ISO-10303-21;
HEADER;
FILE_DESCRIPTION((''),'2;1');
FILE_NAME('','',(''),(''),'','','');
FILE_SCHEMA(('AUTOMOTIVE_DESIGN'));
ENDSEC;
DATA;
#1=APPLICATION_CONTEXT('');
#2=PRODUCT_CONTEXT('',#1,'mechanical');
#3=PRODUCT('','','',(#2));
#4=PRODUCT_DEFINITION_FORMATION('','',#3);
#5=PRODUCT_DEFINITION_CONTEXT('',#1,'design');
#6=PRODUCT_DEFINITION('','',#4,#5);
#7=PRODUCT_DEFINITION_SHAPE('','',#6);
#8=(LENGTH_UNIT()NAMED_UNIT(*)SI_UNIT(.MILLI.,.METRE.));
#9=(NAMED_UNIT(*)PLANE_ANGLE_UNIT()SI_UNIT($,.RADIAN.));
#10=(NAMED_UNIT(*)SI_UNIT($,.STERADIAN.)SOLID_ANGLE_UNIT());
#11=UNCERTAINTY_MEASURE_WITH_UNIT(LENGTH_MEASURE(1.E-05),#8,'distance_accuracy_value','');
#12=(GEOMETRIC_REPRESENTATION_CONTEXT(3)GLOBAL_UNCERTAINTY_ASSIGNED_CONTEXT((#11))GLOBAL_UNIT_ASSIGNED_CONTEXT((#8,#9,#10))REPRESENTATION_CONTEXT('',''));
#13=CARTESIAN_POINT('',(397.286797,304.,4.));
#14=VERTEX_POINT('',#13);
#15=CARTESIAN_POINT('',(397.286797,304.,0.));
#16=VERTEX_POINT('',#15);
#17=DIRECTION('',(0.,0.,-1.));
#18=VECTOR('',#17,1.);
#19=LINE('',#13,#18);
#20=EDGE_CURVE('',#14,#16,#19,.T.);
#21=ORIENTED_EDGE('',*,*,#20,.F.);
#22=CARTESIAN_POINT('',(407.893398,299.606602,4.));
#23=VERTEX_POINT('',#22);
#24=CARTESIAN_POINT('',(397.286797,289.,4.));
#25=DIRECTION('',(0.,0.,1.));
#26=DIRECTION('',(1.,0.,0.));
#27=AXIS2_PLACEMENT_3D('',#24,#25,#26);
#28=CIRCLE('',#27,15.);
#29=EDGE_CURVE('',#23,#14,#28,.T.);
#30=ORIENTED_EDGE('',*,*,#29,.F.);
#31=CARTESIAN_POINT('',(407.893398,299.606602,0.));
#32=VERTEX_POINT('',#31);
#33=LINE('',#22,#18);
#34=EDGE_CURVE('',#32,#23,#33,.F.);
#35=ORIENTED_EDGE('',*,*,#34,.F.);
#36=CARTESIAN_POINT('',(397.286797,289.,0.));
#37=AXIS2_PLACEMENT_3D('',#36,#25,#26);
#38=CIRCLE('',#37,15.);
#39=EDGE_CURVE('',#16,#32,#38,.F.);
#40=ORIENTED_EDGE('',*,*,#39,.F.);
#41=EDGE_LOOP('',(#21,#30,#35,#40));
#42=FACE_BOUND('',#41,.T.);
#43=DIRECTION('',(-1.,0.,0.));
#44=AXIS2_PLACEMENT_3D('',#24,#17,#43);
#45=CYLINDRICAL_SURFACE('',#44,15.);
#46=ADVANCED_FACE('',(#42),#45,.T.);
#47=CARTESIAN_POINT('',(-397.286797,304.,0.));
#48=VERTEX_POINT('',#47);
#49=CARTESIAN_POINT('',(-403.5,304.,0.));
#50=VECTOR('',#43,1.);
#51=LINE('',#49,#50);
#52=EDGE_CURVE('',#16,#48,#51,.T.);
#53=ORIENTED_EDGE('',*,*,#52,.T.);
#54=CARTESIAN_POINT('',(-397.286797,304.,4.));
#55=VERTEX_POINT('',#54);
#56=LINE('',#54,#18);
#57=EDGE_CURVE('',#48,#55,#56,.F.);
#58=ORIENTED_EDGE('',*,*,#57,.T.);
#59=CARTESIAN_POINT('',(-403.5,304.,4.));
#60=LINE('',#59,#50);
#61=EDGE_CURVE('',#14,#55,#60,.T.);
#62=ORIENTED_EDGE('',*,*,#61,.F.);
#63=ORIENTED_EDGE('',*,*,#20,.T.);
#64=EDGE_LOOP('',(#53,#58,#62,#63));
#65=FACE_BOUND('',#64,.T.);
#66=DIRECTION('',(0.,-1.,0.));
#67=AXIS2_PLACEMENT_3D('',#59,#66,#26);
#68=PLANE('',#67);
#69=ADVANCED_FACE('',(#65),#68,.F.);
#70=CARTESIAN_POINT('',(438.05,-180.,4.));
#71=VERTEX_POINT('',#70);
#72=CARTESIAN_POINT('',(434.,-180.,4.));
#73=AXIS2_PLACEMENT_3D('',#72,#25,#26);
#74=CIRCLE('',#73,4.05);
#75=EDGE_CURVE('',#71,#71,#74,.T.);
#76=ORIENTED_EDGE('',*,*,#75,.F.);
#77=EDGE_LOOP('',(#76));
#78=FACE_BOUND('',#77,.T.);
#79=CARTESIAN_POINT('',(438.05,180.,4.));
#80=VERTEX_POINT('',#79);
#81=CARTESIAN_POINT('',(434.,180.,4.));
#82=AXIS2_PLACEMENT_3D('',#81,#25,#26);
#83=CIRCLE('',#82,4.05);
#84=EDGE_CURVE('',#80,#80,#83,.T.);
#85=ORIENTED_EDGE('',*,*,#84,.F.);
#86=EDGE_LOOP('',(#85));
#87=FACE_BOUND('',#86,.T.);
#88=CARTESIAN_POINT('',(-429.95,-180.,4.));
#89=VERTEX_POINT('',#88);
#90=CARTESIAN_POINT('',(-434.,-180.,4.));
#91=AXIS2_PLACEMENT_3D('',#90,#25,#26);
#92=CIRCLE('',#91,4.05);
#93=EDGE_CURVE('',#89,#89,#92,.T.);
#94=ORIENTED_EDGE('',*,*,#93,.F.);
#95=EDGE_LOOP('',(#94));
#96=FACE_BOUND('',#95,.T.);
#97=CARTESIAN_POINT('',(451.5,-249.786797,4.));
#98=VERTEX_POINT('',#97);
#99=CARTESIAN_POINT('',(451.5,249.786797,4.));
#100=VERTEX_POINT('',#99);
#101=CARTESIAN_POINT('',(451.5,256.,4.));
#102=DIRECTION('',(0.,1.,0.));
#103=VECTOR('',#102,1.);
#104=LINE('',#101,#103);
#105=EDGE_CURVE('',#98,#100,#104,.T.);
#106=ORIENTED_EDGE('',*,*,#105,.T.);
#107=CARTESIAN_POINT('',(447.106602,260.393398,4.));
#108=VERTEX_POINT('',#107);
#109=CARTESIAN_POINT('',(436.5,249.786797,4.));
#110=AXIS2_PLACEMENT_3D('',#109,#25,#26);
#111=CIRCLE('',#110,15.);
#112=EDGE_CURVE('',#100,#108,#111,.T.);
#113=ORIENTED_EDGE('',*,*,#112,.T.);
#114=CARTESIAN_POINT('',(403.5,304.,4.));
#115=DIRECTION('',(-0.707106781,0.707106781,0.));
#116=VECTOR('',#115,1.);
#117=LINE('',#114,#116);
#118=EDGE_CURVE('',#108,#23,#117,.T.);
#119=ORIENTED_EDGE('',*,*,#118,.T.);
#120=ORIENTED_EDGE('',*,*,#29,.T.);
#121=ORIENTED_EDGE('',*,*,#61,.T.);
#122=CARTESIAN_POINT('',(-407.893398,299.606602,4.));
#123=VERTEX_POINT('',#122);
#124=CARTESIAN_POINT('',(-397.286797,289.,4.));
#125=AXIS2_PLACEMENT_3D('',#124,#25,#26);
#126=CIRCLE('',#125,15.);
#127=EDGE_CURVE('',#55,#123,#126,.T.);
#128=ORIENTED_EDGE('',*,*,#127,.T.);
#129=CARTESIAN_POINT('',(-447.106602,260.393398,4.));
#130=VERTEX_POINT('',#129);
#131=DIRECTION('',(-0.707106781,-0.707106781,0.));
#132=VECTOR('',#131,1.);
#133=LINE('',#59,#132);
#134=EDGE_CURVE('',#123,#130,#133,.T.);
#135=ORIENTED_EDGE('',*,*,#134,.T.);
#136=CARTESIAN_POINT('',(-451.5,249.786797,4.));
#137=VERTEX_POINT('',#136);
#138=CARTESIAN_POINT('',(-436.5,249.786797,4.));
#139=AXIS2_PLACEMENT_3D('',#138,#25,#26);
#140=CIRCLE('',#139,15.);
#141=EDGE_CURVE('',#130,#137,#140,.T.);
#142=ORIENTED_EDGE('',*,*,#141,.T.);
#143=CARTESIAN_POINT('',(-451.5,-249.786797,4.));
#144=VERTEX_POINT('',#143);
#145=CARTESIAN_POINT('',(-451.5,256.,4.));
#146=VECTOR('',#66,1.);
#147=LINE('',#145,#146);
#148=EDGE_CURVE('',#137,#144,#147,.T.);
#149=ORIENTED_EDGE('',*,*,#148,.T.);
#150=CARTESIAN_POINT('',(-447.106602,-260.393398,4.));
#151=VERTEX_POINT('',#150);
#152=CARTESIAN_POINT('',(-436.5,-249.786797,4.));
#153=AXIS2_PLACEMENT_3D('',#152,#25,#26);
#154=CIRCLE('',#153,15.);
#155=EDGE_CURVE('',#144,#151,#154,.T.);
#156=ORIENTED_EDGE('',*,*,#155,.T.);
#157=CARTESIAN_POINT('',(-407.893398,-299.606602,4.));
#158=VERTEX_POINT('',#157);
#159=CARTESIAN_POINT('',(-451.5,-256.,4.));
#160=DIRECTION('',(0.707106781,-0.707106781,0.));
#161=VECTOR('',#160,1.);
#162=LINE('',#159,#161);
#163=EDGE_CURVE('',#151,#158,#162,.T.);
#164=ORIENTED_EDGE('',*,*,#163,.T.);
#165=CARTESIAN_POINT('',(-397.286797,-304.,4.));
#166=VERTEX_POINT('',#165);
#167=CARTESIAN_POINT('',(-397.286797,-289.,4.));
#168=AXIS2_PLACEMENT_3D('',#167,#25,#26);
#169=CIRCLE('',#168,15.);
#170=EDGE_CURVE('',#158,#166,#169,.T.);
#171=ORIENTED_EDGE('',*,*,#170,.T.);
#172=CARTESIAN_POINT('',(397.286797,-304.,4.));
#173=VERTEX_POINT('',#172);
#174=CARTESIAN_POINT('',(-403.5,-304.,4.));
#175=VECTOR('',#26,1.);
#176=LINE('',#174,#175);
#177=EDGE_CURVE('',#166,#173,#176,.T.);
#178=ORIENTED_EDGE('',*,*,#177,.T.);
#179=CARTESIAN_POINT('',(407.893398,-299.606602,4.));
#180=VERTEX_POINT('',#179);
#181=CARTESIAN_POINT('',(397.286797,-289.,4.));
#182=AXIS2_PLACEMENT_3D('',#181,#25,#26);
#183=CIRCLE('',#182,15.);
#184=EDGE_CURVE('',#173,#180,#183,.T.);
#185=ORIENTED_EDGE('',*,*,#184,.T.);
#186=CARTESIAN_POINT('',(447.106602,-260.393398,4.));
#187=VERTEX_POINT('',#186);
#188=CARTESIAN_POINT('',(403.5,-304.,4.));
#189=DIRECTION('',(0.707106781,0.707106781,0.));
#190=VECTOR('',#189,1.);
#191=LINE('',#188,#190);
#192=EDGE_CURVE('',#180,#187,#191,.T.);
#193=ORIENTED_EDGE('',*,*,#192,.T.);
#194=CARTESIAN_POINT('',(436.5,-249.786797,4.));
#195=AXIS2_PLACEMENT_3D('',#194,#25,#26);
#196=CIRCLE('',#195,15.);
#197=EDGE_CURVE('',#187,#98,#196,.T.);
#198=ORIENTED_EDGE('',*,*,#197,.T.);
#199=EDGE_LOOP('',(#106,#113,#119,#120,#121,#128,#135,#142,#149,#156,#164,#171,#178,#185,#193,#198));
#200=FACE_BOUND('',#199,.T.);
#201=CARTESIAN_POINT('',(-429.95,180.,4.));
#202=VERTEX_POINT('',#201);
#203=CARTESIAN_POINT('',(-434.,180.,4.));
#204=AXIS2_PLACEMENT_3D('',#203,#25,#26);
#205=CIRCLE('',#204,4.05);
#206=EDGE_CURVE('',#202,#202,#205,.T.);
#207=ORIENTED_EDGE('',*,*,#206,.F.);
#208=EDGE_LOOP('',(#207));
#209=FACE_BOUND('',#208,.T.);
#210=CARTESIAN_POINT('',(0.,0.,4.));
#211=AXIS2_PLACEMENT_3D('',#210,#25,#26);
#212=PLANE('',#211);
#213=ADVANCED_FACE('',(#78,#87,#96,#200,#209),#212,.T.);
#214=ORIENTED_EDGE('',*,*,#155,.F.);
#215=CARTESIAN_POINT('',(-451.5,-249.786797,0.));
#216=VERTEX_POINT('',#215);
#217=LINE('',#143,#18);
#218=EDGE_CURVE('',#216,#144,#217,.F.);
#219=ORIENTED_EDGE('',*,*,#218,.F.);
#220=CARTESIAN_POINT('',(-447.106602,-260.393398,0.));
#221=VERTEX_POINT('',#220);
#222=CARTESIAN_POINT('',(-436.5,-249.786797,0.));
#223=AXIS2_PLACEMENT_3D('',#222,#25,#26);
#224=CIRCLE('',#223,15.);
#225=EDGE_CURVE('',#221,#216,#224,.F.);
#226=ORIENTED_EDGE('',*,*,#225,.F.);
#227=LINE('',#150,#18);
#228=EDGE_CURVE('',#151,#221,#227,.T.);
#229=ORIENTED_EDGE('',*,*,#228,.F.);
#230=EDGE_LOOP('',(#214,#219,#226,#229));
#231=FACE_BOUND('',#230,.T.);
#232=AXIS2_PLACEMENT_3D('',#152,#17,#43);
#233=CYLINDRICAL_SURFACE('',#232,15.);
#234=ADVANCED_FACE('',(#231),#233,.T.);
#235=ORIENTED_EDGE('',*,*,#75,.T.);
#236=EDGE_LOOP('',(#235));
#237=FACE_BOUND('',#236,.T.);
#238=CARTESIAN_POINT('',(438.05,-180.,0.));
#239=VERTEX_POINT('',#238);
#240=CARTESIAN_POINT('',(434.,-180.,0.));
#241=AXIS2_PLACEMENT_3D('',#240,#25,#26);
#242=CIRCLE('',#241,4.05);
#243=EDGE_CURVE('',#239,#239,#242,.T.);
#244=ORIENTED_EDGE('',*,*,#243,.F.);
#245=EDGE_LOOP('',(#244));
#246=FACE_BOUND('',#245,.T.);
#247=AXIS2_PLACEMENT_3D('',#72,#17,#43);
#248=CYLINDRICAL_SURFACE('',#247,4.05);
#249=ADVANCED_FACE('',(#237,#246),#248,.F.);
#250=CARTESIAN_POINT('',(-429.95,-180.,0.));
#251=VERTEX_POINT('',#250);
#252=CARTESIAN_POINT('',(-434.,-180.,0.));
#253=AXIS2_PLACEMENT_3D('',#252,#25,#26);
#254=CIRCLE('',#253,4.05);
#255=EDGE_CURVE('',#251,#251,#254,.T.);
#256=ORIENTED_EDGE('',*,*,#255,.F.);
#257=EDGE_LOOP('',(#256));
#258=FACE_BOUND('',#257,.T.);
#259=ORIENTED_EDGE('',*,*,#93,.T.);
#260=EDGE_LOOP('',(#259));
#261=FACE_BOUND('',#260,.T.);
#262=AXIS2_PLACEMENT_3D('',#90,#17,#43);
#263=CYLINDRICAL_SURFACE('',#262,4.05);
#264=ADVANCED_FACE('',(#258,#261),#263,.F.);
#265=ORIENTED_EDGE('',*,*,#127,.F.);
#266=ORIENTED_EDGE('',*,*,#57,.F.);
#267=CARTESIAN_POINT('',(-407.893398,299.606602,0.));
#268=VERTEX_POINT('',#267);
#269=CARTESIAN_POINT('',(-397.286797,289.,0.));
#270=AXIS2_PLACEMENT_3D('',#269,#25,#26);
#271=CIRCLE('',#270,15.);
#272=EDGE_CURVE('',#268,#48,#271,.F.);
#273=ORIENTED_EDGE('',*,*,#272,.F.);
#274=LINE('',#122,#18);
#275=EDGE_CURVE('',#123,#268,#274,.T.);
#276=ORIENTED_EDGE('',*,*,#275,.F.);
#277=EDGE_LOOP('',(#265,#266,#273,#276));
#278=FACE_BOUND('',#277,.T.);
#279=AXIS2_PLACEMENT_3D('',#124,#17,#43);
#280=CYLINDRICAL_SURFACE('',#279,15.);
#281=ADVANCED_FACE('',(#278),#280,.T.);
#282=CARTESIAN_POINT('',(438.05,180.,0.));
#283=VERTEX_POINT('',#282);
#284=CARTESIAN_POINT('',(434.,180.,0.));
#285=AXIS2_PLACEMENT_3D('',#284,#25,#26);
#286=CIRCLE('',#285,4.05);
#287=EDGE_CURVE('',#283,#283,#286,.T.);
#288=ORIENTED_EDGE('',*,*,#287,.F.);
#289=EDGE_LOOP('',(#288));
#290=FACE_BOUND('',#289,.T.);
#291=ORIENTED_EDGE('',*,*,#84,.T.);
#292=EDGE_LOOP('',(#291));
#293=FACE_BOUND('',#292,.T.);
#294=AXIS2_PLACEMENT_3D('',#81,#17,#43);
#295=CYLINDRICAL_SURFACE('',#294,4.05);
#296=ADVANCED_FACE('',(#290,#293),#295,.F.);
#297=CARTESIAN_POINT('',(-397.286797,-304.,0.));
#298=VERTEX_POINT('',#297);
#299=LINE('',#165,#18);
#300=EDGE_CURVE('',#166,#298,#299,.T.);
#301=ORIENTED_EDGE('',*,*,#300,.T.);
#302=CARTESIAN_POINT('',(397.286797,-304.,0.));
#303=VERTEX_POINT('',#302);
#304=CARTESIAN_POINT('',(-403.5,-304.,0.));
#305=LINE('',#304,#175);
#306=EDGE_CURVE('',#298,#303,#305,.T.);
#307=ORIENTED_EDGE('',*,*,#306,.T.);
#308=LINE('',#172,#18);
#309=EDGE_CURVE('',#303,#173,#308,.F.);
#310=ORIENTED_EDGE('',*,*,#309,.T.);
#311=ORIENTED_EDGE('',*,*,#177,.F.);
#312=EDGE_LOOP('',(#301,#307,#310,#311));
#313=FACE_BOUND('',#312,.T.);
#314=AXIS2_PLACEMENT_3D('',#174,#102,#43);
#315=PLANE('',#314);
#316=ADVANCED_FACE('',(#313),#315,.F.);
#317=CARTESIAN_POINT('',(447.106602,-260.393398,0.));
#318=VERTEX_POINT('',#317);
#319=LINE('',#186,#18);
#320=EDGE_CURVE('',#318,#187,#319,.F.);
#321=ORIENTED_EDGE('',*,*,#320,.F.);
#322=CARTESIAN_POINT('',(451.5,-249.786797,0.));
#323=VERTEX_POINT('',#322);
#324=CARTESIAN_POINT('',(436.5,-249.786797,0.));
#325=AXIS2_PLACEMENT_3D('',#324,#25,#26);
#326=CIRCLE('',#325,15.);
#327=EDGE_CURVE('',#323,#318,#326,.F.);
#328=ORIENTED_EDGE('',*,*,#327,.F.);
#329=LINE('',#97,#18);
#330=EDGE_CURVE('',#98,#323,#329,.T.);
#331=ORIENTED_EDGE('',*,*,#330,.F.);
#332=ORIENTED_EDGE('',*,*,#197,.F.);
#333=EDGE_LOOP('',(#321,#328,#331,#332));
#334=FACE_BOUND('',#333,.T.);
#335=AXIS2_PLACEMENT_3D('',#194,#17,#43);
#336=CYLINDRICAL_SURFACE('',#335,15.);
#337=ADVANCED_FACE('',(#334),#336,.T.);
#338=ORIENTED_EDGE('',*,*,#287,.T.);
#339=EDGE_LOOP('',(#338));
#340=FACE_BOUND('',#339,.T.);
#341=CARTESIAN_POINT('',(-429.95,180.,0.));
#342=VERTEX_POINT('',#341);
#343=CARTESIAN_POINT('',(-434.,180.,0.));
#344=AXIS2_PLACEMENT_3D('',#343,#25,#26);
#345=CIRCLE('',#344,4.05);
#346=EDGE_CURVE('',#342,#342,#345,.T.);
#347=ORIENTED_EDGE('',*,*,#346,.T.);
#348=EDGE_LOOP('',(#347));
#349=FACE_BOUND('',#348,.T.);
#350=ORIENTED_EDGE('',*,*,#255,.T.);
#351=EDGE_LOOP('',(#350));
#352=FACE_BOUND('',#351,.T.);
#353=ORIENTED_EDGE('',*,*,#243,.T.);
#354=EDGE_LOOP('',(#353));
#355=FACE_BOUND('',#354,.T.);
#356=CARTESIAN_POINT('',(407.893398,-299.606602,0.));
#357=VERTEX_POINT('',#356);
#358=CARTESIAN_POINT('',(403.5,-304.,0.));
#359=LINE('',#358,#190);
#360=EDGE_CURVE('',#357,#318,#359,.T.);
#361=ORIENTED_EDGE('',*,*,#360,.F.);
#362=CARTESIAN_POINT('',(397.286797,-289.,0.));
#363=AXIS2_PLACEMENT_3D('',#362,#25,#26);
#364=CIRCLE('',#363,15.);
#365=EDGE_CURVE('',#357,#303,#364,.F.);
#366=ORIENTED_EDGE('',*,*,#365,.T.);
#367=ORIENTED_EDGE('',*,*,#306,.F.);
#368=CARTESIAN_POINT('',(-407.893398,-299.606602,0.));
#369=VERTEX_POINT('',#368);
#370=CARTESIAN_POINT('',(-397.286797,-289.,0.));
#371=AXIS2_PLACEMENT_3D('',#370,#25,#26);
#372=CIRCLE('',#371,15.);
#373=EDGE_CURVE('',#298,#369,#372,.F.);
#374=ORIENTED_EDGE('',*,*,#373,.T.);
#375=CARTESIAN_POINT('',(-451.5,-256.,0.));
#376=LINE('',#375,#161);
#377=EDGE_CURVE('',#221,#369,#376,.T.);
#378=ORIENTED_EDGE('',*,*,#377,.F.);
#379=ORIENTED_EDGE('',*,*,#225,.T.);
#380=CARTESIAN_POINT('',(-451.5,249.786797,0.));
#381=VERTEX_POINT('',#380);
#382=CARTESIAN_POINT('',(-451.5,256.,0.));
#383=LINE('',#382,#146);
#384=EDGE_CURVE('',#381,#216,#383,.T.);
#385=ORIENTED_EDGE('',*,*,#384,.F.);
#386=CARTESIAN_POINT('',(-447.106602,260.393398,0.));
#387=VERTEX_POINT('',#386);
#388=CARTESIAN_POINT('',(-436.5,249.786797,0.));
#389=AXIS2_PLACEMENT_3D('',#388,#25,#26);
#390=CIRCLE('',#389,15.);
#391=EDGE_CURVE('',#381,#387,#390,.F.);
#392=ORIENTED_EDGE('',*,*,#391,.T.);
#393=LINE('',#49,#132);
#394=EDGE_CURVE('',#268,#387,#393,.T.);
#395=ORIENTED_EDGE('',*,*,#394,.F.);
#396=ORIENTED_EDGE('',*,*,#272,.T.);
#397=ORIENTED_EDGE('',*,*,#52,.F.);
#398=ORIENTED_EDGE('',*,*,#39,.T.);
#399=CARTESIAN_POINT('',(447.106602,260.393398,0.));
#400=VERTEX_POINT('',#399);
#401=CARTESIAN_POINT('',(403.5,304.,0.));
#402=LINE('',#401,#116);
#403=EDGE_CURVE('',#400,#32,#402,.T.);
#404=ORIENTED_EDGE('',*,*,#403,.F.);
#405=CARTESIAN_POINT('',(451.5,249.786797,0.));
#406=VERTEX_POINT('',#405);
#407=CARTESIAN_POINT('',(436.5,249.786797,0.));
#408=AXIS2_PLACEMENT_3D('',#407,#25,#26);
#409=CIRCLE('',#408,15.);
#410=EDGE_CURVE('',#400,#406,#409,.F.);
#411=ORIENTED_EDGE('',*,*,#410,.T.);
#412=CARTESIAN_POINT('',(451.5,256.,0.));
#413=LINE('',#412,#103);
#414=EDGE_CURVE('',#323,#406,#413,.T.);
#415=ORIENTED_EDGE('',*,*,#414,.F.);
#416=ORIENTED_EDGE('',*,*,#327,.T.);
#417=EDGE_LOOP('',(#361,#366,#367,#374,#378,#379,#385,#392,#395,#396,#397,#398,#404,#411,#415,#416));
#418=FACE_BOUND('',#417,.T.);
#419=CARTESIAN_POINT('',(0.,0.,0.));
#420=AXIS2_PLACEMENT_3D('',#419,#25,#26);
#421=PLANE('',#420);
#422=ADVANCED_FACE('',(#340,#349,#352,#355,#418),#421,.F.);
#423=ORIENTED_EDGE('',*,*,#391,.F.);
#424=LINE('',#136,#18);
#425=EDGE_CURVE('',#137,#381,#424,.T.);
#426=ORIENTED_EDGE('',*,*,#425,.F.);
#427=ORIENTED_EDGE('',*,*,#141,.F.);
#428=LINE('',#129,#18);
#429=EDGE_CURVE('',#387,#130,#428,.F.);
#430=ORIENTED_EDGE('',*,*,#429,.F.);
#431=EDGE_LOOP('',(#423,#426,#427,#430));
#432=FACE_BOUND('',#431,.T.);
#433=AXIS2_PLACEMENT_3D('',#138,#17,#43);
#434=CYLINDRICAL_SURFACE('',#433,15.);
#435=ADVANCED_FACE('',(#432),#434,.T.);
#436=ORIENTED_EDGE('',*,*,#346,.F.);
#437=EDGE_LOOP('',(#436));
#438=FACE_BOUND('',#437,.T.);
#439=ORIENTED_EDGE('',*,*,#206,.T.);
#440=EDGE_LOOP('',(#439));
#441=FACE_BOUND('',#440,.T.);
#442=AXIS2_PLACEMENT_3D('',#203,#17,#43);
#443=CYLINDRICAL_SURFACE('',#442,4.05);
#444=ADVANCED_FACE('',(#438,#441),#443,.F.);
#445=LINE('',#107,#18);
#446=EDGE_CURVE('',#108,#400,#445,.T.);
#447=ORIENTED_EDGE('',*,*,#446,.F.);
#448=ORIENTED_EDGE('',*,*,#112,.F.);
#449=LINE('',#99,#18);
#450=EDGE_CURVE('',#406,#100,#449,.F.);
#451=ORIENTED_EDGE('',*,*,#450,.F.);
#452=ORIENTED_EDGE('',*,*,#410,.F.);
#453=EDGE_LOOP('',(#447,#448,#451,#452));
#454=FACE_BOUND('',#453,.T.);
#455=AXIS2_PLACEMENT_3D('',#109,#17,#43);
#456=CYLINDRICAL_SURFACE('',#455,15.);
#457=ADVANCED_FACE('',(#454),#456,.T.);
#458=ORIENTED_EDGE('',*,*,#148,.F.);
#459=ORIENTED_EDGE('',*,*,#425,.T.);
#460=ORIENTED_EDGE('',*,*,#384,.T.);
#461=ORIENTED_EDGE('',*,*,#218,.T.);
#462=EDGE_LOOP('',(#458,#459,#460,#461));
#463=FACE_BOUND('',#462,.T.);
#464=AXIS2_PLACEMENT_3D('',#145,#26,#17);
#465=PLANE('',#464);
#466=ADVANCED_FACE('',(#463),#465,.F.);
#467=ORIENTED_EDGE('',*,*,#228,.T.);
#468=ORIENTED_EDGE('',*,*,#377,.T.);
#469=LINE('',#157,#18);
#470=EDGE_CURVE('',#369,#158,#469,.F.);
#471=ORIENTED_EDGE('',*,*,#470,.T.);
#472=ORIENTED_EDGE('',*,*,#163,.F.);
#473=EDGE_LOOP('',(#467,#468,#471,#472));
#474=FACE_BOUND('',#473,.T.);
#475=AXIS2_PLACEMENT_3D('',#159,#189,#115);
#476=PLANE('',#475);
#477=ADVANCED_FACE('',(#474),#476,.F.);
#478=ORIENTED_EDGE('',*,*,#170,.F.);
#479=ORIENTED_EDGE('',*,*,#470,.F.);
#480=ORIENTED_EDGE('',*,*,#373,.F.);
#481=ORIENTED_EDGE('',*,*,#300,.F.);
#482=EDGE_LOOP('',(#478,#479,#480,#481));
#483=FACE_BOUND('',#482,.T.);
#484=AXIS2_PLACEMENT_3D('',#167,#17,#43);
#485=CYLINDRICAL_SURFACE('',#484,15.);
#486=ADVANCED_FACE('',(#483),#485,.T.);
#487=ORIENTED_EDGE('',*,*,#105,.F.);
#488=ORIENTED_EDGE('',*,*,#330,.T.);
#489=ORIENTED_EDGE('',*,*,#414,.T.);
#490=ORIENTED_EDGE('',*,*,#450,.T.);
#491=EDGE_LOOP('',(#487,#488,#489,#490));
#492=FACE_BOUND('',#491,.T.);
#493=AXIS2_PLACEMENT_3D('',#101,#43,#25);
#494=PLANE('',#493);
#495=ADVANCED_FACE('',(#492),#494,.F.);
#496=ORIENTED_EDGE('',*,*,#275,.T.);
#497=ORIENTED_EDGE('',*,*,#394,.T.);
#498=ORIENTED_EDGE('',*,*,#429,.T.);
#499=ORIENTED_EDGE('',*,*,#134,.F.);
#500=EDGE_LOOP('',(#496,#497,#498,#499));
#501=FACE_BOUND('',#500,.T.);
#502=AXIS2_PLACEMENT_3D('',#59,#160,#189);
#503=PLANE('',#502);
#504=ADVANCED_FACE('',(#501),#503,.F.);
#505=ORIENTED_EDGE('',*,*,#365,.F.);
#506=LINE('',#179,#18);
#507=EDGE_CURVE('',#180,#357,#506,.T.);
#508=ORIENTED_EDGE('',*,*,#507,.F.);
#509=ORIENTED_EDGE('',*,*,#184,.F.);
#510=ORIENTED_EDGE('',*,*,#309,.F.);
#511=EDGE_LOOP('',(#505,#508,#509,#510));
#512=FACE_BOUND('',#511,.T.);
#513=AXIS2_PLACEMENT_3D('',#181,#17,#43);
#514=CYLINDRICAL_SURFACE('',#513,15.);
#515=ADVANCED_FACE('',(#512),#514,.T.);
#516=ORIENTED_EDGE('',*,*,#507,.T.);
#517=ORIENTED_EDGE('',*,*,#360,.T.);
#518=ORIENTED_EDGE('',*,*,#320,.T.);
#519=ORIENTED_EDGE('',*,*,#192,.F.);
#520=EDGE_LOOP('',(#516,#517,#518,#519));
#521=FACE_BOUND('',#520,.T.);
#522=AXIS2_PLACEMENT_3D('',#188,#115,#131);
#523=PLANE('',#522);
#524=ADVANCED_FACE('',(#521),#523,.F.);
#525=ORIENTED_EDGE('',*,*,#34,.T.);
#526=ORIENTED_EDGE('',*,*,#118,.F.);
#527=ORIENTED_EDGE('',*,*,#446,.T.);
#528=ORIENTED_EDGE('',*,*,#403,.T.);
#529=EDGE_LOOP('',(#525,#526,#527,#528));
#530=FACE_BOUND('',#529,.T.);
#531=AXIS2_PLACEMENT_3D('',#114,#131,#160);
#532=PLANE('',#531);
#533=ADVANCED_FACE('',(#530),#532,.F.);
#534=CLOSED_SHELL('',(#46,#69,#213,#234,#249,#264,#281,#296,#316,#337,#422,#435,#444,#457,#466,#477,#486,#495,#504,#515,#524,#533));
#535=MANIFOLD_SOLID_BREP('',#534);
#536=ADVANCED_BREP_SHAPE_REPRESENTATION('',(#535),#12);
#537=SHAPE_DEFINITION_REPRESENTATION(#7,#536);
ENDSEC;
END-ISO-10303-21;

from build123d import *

# Parameters (mm, degrees)
SKETCH2_R           = 4.05
BOSS_EXTRUDE1_DEPTH = 4
FILLET1_R           = 15


with BuildPart() as part:
    # Sketch2 → Boss-Extrude1 (new body)
    with BuildSketch(Plane.XY):
        Polygon((-451.5, 256), (-451.5, -256), (-403.5, -304), (403.5, -304), (451.5, -256), (451.5, 256), (403.5, 304), (-403.5, 304), align=None)
        with Locations((-434, 180)):
            Circle(SKETCH2_R, mode=Mode.SUBTRACT)
        with Locations((-434, -180)):
            Circle(SKETCH2_R, mode=Mode.SUBTRACT)
        with Locations((434, -180)):
            Circle(SKETCH2_R, mode=Mode.SUBTRACT)
        with Locations((434, 180)):
            Circle(SKETCH2_R, mode=Mode.SUBTRACT)
    extrude(amount=BOSS_EXTRUDE1_DEPTH)

    # Fillet1
    fillet1_edges = [part.edges().sort_by_distance(p)[0] for p in [
        (-451.5, -256, 2),
        (-451.5, 256, 2),
        (-403.5, 304, 2),
        (403.5, 304, 2),
        (451.5, 256, 2),
        (451.5, -256, 2),
        (403.5, -304, 2),
        (-403.5, -304, 2),
    ]]
    fillet(fillet1_edges, radius=FILLET1_R)


solid = part.part
